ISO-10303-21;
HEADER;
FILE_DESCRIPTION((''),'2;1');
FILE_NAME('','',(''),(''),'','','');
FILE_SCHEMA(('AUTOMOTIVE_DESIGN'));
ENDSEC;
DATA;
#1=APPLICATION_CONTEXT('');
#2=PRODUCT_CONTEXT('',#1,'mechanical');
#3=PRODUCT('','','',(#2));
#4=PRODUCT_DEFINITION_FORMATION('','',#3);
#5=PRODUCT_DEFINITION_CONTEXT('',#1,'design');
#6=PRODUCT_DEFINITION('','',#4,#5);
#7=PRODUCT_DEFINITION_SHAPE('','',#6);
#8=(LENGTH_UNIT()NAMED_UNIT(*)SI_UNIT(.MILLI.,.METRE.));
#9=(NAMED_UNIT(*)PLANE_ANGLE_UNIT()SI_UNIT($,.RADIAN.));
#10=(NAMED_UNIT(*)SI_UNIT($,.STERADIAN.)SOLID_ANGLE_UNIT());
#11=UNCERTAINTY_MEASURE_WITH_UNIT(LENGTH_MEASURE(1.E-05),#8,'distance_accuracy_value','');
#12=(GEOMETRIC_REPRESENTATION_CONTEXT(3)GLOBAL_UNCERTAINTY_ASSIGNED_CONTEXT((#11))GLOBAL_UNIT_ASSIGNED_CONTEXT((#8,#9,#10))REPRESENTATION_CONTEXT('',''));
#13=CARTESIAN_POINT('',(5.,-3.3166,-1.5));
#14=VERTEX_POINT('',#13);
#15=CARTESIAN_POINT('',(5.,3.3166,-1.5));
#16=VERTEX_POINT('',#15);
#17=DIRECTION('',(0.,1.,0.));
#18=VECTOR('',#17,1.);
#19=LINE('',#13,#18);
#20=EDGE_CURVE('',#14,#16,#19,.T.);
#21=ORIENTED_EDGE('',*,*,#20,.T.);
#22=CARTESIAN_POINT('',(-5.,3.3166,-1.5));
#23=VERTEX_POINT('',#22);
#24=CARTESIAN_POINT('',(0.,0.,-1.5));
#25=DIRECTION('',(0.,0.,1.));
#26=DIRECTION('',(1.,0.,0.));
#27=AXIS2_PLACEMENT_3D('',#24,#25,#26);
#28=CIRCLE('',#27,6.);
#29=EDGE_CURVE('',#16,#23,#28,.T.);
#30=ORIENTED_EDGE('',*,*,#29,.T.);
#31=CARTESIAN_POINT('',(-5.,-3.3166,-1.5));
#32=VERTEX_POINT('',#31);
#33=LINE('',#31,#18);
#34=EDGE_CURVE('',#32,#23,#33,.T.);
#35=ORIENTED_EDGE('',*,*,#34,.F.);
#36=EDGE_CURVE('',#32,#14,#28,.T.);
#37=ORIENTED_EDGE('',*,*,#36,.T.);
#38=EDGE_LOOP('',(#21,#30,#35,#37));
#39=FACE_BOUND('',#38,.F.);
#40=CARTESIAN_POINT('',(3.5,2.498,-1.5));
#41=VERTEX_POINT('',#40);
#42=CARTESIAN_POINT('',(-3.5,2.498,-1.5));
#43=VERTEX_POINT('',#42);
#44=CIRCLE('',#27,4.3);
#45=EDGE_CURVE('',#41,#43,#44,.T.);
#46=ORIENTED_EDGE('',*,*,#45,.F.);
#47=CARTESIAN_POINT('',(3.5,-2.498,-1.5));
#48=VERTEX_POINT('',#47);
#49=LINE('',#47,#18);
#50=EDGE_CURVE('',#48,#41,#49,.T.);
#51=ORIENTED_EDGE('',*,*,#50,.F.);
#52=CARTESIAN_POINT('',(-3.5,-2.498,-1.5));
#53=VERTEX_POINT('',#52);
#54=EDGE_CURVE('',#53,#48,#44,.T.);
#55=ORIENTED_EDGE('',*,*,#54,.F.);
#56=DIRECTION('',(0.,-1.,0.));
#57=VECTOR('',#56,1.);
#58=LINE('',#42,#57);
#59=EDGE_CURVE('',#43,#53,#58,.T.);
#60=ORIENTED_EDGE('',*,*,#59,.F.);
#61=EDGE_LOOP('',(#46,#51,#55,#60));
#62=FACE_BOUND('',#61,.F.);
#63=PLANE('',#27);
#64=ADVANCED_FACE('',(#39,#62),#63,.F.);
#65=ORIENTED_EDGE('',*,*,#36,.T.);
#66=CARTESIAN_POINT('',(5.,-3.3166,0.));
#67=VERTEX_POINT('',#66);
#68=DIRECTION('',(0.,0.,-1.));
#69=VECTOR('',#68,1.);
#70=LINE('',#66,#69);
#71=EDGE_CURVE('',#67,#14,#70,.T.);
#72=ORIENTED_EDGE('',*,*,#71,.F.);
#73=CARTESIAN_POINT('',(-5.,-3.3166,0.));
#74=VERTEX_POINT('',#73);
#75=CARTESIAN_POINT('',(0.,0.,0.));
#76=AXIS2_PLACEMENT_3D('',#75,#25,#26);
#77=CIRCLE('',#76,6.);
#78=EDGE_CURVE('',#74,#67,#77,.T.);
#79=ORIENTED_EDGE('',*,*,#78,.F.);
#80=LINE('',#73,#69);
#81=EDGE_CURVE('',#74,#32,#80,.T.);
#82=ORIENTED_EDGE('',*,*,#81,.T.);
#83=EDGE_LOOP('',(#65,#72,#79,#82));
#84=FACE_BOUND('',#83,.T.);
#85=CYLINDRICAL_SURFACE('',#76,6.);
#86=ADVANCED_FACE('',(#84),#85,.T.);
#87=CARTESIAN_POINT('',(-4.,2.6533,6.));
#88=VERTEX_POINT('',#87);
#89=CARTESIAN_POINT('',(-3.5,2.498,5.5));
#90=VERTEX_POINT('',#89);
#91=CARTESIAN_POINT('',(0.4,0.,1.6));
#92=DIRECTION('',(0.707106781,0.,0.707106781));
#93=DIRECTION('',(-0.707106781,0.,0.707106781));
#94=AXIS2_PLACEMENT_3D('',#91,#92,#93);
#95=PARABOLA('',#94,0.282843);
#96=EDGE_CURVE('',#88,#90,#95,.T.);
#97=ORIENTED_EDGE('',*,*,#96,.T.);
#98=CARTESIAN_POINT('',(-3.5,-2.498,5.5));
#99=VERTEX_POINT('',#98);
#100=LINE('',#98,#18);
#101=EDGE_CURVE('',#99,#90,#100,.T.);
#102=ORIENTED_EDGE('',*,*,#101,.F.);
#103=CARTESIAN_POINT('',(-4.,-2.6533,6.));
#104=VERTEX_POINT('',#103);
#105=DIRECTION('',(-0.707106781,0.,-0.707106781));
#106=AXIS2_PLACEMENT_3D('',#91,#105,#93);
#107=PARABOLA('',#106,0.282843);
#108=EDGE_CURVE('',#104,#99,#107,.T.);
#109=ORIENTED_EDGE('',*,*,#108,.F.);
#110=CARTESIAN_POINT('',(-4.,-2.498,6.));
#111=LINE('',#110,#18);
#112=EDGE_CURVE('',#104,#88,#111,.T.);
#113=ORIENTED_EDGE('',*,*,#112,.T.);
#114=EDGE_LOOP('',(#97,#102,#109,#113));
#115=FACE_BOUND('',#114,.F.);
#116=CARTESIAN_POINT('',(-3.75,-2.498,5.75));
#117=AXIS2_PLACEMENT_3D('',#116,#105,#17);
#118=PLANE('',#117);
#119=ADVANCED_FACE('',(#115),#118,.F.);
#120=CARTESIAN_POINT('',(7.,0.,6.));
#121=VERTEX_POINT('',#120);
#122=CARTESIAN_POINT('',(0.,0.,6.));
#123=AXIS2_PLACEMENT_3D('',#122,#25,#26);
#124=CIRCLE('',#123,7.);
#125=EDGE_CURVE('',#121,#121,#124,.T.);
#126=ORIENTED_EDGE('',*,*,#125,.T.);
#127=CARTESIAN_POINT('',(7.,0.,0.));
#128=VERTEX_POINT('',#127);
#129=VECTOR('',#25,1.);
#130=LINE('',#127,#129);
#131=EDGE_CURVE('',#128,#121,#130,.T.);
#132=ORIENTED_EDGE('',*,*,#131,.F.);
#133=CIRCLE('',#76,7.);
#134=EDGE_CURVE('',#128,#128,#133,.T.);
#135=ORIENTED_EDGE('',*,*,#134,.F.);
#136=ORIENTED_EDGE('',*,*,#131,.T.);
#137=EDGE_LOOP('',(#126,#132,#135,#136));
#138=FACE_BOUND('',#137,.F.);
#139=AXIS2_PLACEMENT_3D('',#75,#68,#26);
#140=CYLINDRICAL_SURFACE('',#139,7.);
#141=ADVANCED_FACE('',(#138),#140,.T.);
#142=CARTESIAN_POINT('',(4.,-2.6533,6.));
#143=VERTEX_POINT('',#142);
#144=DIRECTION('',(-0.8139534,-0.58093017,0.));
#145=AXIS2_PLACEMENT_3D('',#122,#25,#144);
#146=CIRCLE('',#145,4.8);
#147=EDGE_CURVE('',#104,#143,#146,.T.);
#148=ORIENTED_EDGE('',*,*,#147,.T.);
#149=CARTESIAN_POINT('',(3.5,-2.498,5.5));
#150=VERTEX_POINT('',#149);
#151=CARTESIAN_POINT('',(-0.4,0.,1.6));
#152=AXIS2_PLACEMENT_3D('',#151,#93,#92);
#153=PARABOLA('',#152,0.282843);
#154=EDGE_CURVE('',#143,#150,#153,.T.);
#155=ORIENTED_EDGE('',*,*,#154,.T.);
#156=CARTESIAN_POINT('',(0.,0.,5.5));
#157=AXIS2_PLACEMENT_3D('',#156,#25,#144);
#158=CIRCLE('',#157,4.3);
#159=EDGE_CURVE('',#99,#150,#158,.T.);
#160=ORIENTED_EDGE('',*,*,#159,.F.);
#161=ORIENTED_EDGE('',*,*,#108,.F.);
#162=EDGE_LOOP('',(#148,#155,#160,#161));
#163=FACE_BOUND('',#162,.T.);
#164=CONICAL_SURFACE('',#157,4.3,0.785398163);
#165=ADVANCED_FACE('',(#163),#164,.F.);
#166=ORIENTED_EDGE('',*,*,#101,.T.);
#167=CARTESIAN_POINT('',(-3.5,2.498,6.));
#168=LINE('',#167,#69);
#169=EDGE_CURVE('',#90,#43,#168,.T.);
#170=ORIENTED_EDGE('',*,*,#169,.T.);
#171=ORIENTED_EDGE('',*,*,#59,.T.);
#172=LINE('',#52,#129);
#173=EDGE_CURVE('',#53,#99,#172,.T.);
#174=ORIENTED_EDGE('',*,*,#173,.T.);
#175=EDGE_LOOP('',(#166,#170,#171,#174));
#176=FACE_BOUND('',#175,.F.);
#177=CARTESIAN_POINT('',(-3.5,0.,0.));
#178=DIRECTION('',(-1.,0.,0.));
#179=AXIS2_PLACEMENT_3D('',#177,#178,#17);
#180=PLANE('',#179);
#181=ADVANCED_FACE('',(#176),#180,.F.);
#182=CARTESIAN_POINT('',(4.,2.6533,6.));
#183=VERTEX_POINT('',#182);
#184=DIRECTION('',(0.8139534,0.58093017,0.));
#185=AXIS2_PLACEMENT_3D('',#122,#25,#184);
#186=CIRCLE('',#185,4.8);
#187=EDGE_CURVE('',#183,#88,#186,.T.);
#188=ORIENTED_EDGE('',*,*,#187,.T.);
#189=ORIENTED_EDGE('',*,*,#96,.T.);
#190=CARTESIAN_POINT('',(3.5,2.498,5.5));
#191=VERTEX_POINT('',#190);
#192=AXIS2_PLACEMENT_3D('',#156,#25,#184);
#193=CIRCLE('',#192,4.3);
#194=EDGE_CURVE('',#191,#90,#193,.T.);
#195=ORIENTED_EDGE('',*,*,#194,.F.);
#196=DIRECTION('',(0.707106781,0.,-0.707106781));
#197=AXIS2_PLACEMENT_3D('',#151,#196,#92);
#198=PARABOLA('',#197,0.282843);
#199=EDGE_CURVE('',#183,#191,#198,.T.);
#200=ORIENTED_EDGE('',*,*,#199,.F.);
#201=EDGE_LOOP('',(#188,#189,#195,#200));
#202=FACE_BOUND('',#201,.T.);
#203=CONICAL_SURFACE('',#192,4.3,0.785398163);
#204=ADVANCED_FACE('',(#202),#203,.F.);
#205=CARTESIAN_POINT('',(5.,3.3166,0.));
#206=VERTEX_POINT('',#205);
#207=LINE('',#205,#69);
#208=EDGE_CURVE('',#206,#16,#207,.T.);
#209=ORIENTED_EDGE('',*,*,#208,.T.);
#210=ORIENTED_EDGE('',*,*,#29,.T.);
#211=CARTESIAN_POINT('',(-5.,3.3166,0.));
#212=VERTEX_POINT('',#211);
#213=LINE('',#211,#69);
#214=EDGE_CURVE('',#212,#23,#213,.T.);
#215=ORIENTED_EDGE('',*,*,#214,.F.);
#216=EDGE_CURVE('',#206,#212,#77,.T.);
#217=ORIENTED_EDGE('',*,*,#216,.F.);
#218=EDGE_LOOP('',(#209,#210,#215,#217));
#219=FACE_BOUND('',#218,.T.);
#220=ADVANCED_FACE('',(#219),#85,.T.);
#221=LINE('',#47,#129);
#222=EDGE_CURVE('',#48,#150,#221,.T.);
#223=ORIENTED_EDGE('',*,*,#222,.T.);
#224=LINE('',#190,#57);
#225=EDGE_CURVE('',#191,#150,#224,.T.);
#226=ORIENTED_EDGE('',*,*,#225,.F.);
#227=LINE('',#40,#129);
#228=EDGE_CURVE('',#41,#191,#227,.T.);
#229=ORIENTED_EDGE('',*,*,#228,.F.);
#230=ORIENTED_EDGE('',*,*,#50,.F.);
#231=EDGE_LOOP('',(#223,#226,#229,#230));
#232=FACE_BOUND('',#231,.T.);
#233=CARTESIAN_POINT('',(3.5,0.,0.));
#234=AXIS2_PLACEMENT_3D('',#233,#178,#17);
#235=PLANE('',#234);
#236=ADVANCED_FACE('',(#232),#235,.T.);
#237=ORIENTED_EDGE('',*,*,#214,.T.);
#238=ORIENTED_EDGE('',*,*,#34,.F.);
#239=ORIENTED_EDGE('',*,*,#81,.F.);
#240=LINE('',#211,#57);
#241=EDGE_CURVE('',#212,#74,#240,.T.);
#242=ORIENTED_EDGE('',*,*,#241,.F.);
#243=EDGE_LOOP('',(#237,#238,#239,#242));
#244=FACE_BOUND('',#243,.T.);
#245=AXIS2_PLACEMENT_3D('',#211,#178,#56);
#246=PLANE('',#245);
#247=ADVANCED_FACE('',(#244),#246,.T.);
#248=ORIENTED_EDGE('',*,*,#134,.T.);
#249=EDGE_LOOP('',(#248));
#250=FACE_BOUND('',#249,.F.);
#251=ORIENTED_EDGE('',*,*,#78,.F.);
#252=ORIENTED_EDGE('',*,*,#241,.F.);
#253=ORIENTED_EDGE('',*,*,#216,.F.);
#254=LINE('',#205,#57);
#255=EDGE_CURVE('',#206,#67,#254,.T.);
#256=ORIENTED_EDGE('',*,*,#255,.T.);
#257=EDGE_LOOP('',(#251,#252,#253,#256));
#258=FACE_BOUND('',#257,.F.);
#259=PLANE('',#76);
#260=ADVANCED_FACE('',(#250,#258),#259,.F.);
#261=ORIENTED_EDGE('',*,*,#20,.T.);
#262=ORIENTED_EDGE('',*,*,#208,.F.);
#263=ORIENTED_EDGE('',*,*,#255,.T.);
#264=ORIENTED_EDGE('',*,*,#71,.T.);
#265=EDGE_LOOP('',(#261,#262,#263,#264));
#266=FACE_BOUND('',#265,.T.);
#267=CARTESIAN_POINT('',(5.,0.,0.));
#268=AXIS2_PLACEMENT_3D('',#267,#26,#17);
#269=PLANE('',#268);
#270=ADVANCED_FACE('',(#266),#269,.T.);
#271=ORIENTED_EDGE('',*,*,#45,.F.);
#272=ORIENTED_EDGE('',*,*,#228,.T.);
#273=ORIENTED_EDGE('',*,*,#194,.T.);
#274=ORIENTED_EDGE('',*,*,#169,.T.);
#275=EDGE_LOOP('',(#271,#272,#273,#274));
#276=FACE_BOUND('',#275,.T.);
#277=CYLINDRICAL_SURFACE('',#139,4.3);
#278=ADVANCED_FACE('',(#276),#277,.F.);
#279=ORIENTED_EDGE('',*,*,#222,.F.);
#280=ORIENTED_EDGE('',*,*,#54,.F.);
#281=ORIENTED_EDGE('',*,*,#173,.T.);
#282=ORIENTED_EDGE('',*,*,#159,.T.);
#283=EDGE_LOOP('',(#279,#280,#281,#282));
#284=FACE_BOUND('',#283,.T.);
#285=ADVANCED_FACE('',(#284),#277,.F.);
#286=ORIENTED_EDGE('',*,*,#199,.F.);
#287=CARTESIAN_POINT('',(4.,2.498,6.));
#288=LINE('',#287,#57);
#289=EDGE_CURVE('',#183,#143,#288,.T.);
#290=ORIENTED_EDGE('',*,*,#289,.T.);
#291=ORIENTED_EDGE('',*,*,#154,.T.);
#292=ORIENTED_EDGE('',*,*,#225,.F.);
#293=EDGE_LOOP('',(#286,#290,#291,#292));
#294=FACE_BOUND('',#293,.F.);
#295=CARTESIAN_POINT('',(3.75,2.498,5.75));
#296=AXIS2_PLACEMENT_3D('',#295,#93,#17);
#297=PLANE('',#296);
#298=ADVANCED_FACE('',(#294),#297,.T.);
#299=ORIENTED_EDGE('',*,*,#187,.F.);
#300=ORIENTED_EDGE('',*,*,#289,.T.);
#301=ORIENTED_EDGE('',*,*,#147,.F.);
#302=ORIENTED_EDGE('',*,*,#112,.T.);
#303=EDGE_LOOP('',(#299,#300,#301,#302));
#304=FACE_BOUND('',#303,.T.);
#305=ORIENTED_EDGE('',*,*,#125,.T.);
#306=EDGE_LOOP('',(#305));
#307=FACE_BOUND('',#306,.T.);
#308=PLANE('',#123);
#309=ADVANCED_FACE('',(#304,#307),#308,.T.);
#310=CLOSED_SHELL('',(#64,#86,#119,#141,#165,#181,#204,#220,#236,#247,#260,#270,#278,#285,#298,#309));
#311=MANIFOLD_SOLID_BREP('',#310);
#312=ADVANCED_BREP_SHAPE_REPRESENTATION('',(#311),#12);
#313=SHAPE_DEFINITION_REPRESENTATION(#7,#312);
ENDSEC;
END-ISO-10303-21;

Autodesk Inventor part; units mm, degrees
ref_plane "YZ Plane" through (0, 0, 0) normal (1, 0, 0) x (0, 1, 0)
ref_plane "XZ Plane" through (0, 0, 0) normal (0, 1, 0) x (-1, 0, 0)
ref_plane "XY Plane" through (0, 0, 0) normal (0, 0, 1) x (1, 0, 0)
sketch "Эскиз1" plane through (0, 0, 0) normal (0, 0, 1) x (1, 0, 0)
  circle A0 centre (0, 0) radius 7
  circle A1 centre (0, 0) radius 6
  circle A2 centre (0, 0) radius 4.3
  line L0 (2.2504, 0) -> (3.5, 0)
  line L1 (3.5, 0) -> (-3.5, 0)
  line L2 (-3.5, -2.498) -> (-3.5, 2.498)
  line L3 (3.5, -2.498) -> (3.5, 2.498)
  line L4 (-5, 0) -> (5, 0)
  line L5 (-5, 3.3166) -> (-5, -3.3166)
  line L6 (5, -3.3166) -> (5, 3.3166)
  point P0 (-5, -3.3166)
  point P1 (5, -3.3166)
  dimension "d0" = 14
  dimension "d1" = 12
  dimension "d2" = 8.6
  dimension "d3" = 7
  dimension "d4" = 10
extrude "Выдавливание1" add sketch "Эскиз1" along normal blind 6 contours A0 | A1 L6 | L6 L4 A2 L5 A1 | A1 L5 L4 A2 L6 | L5 A1 | L4 L3 A2 | A2 L3 L4 | L4 L2 A2 | A2 L2 L4
extrude "Выдавливание2" add sketch "Эскиз1" against normal blind 1.5 contours L6 L4 A2 L5 A1 | A1 L5 L4 A2 L6 | L4 L3 A2 | A2 L3 L4 | L4 L2 A2 | A2 L2 L4
chamfer "Фаска1" distance 0.5 angle 45 4 edges at (0, 4.3, 6) (-3.5, 0, 6) (0, -4.3, 6) (3.5, 0, 6)
properties part number "ANT_INSULATOR"
